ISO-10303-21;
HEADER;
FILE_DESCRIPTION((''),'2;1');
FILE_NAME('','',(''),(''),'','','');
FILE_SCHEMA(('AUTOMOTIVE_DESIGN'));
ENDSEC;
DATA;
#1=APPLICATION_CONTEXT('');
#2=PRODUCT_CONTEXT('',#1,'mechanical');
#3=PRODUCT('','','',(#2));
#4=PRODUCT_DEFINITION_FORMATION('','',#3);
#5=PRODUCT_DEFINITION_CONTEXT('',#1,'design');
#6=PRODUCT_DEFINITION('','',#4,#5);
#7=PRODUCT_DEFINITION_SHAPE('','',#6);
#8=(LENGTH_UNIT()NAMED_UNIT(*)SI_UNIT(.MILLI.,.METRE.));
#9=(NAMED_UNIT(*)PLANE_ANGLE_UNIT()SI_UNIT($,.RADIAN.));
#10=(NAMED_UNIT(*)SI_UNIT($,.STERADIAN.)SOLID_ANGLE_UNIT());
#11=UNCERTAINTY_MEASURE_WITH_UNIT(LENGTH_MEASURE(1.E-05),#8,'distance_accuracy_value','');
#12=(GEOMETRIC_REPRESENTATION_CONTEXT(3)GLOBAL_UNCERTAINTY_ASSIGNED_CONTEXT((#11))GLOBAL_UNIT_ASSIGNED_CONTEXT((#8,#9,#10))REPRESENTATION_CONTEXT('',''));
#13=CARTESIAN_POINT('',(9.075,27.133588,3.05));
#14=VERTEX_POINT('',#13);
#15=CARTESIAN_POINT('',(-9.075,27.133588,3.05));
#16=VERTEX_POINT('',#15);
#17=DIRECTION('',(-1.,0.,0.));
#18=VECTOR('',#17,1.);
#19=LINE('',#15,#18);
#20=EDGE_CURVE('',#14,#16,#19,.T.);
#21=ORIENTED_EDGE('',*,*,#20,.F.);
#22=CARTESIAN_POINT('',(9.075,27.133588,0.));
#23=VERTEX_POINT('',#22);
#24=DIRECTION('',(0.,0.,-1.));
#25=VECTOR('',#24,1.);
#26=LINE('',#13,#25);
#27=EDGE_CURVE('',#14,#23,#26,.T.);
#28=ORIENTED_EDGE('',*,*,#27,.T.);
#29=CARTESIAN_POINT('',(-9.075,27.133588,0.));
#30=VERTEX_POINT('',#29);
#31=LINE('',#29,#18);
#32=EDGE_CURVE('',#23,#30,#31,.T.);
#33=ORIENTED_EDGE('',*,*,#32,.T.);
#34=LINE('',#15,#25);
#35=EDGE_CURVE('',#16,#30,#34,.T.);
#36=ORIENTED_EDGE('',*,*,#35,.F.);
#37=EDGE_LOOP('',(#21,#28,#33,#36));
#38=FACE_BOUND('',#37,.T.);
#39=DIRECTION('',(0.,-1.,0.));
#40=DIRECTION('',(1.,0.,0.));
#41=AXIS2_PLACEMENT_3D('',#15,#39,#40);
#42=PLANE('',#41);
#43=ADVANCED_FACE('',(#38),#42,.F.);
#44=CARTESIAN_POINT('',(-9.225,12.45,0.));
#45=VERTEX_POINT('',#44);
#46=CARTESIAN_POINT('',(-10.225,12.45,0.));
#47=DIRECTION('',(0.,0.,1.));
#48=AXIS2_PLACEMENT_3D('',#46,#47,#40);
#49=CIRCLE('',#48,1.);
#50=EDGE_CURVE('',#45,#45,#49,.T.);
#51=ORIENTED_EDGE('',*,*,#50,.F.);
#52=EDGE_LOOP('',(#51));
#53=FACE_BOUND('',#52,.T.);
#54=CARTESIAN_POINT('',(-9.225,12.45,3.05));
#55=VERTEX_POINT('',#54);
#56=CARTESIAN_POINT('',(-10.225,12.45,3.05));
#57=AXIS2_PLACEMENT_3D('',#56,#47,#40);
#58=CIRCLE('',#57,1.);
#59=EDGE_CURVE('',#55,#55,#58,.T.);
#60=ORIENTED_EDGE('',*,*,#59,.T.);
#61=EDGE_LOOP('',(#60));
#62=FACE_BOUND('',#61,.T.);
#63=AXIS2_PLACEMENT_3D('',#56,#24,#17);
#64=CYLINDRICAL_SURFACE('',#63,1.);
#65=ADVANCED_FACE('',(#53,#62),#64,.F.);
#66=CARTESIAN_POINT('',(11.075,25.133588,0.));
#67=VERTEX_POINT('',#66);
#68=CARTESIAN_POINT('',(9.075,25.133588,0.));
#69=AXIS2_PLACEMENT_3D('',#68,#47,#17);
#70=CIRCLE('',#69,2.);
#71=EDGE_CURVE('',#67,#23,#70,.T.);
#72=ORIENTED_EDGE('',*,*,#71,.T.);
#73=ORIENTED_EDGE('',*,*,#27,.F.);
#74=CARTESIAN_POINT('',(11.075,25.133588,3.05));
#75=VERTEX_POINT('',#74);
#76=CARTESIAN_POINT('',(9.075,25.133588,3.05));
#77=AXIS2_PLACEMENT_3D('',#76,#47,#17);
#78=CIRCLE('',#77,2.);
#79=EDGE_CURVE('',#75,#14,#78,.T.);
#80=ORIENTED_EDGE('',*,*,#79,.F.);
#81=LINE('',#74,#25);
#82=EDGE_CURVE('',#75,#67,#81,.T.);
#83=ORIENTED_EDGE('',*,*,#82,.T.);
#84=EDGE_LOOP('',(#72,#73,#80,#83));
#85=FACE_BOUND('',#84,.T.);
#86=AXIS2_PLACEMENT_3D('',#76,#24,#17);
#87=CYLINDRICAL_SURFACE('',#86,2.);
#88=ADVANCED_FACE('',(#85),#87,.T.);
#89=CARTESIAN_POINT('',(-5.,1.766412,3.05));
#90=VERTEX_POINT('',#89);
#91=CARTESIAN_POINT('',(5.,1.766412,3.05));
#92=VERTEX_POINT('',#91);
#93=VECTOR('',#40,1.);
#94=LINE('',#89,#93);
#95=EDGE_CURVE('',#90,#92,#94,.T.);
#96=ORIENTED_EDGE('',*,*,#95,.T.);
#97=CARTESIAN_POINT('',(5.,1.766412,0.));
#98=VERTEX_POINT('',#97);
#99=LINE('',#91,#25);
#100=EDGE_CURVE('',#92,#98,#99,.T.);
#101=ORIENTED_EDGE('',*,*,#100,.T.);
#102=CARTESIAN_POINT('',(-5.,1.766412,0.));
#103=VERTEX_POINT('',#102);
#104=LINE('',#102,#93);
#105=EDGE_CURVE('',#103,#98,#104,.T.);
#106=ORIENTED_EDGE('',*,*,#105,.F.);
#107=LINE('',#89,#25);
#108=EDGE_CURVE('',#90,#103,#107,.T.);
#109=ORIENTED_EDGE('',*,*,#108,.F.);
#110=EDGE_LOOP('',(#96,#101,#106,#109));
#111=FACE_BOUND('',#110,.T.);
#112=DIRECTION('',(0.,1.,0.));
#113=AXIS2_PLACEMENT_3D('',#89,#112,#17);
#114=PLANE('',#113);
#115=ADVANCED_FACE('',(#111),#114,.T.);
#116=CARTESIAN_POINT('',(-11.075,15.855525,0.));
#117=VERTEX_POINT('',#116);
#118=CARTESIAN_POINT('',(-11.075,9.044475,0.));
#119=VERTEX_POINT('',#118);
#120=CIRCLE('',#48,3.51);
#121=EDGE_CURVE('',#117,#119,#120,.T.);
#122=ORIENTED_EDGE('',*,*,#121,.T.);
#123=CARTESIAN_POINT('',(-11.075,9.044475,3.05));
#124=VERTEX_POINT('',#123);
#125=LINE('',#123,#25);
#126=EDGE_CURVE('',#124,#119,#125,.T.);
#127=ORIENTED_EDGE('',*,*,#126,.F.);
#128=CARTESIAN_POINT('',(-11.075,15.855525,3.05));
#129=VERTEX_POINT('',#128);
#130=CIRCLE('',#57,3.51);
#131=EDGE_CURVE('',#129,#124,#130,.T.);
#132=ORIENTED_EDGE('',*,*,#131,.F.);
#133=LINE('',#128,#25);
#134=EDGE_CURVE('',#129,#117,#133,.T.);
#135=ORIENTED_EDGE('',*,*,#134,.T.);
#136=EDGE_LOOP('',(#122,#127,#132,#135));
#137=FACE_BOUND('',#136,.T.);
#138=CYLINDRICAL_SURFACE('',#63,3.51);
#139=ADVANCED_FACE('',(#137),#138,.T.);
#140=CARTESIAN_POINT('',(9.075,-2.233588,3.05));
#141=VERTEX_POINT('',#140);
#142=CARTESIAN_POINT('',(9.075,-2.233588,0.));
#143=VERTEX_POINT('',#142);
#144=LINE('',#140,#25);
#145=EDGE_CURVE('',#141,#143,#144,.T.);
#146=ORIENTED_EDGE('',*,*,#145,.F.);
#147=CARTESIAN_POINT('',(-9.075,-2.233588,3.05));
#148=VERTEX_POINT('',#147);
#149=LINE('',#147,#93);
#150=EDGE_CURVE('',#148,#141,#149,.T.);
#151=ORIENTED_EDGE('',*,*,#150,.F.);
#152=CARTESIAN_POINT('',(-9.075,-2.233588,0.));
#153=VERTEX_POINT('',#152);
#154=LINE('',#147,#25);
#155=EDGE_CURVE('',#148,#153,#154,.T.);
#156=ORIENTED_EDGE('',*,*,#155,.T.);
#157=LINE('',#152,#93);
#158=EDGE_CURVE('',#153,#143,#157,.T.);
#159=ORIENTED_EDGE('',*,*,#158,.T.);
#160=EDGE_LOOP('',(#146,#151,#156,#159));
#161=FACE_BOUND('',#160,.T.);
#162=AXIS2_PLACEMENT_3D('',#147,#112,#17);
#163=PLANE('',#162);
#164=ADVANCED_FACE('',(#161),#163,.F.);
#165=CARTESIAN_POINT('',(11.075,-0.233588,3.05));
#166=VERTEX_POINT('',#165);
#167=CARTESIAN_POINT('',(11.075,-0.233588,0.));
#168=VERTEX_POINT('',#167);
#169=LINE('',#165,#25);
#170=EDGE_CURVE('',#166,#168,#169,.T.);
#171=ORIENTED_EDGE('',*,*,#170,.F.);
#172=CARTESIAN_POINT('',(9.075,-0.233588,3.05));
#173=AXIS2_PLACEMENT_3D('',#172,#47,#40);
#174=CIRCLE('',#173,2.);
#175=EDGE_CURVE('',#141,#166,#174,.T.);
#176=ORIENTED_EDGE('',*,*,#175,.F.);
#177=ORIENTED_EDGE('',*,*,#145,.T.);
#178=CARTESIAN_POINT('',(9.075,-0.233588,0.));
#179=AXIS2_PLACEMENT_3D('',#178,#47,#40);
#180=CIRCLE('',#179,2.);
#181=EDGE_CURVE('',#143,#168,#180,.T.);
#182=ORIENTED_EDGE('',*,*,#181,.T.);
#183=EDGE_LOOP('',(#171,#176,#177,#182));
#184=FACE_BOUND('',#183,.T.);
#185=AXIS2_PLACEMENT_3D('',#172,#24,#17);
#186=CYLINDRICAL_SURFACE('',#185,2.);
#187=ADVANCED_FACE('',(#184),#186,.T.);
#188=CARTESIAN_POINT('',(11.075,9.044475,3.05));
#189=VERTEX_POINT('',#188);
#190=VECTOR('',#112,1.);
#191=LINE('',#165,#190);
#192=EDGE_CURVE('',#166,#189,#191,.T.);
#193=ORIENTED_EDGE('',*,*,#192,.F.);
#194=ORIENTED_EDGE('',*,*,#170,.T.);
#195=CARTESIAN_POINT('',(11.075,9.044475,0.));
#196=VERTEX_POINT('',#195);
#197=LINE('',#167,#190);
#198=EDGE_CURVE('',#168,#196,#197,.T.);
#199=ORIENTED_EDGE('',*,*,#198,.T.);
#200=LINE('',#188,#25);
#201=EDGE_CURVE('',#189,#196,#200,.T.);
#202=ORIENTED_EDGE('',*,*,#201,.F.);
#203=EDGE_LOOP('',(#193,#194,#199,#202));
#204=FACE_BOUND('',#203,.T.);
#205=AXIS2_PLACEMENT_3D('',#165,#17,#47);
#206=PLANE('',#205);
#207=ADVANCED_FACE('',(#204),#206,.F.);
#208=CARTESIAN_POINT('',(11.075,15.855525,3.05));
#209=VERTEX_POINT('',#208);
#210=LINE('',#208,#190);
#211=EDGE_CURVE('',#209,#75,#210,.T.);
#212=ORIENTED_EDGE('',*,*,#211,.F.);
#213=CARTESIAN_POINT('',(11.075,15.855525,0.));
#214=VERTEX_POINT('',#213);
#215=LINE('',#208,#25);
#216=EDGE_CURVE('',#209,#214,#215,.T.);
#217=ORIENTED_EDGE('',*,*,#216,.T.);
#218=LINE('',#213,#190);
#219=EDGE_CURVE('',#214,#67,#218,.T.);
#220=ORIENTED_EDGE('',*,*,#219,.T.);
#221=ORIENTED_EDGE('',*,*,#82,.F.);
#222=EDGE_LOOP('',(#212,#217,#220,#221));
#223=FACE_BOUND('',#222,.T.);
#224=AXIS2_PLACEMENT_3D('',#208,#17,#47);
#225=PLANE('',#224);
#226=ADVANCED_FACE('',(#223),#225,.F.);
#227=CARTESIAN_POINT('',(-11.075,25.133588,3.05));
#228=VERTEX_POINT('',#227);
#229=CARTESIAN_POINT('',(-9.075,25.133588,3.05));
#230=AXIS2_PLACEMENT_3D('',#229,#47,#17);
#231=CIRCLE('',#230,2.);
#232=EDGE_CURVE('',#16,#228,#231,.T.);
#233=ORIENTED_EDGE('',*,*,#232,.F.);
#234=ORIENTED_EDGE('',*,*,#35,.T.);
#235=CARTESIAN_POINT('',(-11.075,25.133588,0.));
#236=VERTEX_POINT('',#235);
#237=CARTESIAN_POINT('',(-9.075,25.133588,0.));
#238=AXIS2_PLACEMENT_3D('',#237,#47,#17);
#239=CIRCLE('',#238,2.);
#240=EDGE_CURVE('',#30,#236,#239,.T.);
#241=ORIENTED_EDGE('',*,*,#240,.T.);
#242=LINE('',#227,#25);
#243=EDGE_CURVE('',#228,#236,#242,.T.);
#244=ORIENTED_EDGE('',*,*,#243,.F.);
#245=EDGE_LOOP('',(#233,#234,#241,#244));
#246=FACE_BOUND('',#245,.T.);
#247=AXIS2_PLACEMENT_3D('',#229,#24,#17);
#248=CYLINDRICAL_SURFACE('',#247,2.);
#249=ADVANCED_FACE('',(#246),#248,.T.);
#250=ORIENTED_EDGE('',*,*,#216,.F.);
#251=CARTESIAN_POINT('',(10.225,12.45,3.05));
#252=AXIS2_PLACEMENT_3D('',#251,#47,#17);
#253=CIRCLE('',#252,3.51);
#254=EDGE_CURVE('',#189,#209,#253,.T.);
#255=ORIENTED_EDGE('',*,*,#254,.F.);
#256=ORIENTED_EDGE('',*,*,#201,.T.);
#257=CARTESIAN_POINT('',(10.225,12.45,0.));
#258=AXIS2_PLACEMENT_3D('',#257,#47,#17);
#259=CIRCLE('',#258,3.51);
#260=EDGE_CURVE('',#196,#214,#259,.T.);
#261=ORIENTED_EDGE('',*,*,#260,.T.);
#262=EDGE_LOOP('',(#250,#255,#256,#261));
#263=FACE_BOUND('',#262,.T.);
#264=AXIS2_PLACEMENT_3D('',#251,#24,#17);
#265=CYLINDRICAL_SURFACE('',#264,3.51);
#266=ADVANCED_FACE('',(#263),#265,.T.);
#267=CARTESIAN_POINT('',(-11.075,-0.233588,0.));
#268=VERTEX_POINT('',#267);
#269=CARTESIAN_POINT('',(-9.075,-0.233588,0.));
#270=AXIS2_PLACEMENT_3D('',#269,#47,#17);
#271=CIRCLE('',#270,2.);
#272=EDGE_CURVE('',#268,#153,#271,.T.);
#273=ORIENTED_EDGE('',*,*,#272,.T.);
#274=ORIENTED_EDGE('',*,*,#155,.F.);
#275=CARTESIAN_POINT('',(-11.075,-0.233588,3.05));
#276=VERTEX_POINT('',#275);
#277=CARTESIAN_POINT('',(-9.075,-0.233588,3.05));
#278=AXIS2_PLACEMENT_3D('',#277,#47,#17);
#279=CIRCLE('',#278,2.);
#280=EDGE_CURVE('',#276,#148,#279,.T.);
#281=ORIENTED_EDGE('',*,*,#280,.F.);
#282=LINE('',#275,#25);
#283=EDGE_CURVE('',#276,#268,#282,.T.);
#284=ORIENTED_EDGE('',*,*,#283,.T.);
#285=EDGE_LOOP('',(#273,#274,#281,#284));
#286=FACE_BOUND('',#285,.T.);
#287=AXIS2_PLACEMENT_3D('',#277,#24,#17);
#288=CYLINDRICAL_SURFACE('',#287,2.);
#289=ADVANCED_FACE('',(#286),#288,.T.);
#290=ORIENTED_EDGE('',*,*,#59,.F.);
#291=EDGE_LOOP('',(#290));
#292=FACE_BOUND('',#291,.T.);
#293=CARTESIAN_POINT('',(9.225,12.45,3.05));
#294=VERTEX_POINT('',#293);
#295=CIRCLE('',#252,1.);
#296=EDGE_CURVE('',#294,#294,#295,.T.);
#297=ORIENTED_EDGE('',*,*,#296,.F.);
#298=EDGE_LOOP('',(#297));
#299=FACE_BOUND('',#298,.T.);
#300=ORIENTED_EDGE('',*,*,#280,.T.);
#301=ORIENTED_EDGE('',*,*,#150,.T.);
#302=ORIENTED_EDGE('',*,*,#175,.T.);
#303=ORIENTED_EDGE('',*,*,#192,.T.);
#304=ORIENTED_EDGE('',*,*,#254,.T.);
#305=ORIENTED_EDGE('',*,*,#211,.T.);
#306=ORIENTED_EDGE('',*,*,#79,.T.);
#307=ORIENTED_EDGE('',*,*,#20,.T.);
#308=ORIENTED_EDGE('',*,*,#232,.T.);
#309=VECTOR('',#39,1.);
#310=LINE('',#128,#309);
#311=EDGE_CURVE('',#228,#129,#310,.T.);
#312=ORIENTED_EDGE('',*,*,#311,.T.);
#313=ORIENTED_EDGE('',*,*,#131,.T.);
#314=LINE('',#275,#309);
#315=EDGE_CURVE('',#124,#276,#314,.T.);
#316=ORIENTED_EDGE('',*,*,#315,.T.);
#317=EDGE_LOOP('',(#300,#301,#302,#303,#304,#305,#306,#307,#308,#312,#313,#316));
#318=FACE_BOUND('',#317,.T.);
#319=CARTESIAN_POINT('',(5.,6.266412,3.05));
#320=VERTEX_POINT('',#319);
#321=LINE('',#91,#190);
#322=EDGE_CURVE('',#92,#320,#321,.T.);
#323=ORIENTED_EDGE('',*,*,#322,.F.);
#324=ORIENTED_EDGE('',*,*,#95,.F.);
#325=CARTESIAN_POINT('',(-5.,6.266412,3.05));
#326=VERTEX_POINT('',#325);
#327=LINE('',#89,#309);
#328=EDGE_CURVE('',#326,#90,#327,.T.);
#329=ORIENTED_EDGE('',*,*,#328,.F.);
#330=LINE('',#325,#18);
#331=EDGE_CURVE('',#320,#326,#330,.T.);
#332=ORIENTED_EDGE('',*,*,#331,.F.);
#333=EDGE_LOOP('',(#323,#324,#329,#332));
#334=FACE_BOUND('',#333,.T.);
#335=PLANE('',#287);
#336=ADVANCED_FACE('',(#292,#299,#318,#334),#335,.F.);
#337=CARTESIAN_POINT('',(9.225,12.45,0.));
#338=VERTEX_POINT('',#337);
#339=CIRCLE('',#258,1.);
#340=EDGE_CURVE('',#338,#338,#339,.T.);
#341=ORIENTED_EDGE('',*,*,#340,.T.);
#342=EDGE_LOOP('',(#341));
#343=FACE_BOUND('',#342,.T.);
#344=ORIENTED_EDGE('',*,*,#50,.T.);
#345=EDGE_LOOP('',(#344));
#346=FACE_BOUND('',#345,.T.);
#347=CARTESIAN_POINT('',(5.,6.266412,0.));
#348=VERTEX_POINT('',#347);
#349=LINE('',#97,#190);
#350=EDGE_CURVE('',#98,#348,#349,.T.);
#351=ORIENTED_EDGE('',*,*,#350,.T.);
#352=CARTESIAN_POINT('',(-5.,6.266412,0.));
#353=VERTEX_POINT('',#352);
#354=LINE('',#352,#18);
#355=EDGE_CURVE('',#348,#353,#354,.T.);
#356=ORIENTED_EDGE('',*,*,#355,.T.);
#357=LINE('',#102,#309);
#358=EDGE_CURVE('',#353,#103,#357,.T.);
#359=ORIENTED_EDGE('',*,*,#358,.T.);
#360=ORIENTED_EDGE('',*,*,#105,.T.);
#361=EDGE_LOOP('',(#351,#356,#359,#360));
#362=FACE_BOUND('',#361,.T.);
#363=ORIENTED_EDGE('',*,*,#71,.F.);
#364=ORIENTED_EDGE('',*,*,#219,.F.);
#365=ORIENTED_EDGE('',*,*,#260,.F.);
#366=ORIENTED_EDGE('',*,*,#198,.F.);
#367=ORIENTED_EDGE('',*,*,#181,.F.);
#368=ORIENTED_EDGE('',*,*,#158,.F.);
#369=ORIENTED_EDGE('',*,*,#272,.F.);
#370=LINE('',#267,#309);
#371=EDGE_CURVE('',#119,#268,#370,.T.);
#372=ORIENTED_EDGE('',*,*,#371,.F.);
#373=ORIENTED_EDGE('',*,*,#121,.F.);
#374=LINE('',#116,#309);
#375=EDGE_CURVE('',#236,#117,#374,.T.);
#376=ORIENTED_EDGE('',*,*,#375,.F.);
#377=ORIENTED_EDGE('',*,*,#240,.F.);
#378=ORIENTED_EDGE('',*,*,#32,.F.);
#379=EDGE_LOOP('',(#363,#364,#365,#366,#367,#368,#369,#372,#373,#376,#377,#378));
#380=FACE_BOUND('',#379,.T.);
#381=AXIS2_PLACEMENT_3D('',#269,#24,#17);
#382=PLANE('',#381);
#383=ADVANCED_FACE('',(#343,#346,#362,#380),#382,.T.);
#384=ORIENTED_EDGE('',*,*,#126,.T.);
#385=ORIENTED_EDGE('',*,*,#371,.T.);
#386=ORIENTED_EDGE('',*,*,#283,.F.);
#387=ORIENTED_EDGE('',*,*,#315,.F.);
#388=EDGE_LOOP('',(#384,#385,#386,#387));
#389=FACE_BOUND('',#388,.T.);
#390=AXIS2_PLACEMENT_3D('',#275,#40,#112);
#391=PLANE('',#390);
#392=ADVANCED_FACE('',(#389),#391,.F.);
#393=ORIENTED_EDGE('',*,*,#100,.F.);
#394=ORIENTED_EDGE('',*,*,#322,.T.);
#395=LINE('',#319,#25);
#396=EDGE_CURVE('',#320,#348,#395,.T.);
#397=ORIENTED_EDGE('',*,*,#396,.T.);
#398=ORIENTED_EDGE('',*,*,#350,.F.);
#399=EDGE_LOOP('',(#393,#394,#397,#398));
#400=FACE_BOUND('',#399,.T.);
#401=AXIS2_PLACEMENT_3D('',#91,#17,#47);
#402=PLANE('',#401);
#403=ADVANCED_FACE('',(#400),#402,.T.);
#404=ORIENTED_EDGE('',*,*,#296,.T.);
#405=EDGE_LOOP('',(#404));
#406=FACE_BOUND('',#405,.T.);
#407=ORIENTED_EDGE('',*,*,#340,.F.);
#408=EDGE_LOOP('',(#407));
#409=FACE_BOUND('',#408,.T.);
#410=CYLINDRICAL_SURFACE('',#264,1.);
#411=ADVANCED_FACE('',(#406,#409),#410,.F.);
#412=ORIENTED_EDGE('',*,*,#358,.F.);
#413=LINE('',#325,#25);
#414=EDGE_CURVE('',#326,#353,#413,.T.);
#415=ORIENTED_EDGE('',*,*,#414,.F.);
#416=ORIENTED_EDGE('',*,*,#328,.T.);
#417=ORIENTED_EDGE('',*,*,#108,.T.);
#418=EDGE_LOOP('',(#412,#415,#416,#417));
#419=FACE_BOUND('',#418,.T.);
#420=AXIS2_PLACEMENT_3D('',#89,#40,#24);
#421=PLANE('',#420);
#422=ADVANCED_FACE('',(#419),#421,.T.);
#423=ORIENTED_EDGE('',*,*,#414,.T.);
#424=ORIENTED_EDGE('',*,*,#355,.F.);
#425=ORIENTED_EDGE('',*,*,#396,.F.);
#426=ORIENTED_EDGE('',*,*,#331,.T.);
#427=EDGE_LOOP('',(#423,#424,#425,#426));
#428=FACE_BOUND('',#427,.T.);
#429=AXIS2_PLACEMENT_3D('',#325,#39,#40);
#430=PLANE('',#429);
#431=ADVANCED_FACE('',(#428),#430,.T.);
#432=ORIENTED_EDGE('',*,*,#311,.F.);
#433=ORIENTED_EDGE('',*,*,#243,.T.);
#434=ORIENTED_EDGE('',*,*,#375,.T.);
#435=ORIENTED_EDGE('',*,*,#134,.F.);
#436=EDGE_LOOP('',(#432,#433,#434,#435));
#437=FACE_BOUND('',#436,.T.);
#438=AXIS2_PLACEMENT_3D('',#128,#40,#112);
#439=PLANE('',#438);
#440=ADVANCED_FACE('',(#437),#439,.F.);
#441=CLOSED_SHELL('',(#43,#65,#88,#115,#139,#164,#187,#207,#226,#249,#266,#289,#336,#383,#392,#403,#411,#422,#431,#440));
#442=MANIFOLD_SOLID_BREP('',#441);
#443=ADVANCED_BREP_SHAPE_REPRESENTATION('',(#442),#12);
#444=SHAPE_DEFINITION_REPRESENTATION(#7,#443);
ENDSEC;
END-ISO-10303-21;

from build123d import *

# Parameters (mm, degrees)
SKETCH2_R           = 1
SKETCH2_W           = 10
SKETCH2_H           = 4.5
BOSS_EXTRUDE2_DEPTH = 3.05


with BuildPart() as part:
    # Sketch2 → Boss-Extrude2 (new body)
    with BuildSketch(Plane.XY):
        with BuildLine():
            Line((-11.075, 15.855524923), (-11.075, 25.133587826))
            ThreePointArc((-11.075, 25.133587826), (-10.489213562, 26.547801388), (-9.075, 27.133587826))
            Line((-9.075, 27.133587826), (9.075, 27.133587826))
            ThreePointArc((9.075, 27.133587826), (10.489213562, 26.547801388), (11.075, 25.133587826))
            Line((11.075, 25.133587826), (11.075, 15.855524923))
            ThreePointArc((11.075, 15.855524923), (13.735, 12.45), (11.075, 9.044475077))
            Line((11.075, 9.044475077), (11.075, -0.233587826))
            ThreePointArc((11.075, -0.233587826), (10.489213562, -1.647801388), (9.075, -2.233587826))
            Line((9.075, -2.233587826), (-9.075, -2.233587826))
            ThreePointArc((-9.075, -2.233587826), (-10.489213562, -1.647801388), (-11.075, -0.233587826))
            Line((-11.075, -0.233587826), (-11.075, 9.044475077))
            ThreePointArc((-11.075, 9.044475077), (-13.735, 12.45), (-11.075, 15.855524923))
        make_face()
        with Locations((-10.225, 12.45)):
            Circle(SKETCH2_R, mode=Mode.SUBTRACT)
        with Locations(Location((10.225, 12.45, 0), (0, 0, 180))):
            Circle(SKETCH2_R, mode=Mode.SUBTRACT)
        with Locations((0, 4.016412174)):
            Rectangle(SKETCH2_W, SKETCH2_H, mode=Mode.SUBTRACT)
    extrude(amount=BOSS_EXTRUDE2_DEPTH)


solid = part.part
